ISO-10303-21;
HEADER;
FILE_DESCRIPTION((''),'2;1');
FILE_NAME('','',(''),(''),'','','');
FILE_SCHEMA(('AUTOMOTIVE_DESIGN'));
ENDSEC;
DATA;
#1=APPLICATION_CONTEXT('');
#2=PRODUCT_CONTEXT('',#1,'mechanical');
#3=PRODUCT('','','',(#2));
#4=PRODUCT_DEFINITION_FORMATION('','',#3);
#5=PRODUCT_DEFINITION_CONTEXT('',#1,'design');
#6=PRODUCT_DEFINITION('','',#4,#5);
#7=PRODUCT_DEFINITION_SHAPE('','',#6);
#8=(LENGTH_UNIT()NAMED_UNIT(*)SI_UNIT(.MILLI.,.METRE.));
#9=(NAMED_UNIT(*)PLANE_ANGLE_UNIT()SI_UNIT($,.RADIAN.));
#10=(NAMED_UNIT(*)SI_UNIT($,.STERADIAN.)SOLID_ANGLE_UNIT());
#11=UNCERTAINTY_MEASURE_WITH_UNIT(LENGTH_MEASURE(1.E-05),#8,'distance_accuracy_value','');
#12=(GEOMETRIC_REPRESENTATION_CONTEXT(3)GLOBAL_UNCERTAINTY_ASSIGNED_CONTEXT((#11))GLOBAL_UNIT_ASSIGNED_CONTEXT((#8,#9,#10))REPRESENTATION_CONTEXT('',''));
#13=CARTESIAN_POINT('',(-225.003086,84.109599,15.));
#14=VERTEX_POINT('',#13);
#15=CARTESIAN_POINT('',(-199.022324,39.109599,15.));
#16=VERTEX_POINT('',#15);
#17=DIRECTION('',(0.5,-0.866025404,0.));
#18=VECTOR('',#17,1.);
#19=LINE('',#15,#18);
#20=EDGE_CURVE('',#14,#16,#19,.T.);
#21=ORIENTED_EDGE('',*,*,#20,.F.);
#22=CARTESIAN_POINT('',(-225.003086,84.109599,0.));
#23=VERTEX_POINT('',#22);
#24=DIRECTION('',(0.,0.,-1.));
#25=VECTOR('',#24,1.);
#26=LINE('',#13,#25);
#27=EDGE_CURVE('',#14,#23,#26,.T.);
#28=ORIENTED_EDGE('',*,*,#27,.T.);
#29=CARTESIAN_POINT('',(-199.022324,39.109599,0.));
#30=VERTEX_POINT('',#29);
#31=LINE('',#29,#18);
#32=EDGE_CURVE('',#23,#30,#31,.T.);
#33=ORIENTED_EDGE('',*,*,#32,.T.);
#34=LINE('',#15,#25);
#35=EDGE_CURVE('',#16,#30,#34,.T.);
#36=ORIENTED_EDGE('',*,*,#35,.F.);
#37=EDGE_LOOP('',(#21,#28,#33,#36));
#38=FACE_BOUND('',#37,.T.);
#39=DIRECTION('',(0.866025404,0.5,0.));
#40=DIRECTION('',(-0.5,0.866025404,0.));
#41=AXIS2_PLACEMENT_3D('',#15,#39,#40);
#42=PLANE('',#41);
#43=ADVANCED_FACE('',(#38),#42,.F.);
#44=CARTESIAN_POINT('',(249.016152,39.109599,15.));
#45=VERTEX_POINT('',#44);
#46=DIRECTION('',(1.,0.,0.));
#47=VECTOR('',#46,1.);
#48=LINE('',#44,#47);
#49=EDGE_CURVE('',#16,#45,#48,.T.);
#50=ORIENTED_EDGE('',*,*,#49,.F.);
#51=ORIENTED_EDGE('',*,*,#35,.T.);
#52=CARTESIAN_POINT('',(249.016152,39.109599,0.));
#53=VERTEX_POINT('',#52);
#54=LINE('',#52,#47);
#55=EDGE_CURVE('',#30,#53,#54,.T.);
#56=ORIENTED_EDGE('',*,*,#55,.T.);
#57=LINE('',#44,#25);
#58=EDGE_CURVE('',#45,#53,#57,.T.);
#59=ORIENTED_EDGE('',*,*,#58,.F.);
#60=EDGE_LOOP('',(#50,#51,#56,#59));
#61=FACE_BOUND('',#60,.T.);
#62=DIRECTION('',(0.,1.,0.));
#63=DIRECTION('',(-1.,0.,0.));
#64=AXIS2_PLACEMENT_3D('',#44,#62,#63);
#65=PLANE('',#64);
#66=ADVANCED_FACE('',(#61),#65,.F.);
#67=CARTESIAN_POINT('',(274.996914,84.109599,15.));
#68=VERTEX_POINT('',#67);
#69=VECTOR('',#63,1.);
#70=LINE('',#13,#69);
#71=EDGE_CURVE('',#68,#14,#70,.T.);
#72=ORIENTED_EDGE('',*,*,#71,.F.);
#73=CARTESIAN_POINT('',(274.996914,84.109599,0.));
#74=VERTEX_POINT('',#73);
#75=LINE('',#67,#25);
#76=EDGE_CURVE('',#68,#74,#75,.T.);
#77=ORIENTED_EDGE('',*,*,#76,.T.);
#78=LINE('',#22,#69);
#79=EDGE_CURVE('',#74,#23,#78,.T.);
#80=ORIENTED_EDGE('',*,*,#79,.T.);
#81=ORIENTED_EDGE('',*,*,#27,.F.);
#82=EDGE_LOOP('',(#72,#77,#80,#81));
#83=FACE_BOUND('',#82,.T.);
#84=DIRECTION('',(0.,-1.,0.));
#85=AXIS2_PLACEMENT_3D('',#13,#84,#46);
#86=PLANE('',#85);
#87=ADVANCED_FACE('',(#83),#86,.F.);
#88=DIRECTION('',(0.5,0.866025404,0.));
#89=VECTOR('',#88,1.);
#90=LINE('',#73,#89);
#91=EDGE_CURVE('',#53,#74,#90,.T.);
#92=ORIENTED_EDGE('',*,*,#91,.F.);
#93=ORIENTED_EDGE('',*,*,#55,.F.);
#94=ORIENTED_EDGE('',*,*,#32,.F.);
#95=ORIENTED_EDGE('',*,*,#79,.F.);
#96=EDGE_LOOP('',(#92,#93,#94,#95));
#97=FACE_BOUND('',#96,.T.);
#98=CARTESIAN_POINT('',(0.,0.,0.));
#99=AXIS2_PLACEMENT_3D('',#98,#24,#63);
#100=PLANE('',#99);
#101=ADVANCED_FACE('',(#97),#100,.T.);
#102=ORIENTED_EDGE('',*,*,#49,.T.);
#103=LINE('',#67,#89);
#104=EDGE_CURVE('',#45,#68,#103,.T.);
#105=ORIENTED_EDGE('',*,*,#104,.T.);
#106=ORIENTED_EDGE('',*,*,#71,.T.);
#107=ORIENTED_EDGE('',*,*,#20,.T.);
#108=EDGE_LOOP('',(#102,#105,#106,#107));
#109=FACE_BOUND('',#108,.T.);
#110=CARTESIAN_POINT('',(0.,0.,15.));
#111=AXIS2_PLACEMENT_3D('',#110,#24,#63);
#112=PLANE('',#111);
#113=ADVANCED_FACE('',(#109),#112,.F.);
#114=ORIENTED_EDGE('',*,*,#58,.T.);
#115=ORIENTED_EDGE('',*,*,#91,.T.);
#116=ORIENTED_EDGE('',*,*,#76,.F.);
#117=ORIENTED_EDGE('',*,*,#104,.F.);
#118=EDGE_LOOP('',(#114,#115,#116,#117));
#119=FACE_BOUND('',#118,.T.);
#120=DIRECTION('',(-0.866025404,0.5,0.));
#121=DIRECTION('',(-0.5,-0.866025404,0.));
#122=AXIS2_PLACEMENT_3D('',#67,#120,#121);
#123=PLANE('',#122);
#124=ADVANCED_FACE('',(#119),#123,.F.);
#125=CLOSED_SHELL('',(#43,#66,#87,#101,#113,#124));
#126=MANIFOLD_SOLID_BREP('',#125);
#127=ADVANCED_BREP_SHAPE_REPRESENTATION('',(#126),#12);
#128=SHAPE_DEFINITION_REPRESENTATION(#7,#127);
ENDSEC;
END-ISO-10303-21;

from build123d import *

# Parameters (mm, degrees)
BOSS_EXTRU_1_DEPTH = 15


with BuildPart() as part:
    # Esquisse1 → Boss.-Extru.1 (new body)
    with BuildSketch(Plane.XY):
        Polygon((-225.003085821, 84.109598527), (274.996914179, 84.109598527), (249.016152066, 39.109598527), (-199.022323707, 39.109598527), align=None)
    extrude(amount=BOSS_EXTRU_1_DEPTH)


solid = part.part
